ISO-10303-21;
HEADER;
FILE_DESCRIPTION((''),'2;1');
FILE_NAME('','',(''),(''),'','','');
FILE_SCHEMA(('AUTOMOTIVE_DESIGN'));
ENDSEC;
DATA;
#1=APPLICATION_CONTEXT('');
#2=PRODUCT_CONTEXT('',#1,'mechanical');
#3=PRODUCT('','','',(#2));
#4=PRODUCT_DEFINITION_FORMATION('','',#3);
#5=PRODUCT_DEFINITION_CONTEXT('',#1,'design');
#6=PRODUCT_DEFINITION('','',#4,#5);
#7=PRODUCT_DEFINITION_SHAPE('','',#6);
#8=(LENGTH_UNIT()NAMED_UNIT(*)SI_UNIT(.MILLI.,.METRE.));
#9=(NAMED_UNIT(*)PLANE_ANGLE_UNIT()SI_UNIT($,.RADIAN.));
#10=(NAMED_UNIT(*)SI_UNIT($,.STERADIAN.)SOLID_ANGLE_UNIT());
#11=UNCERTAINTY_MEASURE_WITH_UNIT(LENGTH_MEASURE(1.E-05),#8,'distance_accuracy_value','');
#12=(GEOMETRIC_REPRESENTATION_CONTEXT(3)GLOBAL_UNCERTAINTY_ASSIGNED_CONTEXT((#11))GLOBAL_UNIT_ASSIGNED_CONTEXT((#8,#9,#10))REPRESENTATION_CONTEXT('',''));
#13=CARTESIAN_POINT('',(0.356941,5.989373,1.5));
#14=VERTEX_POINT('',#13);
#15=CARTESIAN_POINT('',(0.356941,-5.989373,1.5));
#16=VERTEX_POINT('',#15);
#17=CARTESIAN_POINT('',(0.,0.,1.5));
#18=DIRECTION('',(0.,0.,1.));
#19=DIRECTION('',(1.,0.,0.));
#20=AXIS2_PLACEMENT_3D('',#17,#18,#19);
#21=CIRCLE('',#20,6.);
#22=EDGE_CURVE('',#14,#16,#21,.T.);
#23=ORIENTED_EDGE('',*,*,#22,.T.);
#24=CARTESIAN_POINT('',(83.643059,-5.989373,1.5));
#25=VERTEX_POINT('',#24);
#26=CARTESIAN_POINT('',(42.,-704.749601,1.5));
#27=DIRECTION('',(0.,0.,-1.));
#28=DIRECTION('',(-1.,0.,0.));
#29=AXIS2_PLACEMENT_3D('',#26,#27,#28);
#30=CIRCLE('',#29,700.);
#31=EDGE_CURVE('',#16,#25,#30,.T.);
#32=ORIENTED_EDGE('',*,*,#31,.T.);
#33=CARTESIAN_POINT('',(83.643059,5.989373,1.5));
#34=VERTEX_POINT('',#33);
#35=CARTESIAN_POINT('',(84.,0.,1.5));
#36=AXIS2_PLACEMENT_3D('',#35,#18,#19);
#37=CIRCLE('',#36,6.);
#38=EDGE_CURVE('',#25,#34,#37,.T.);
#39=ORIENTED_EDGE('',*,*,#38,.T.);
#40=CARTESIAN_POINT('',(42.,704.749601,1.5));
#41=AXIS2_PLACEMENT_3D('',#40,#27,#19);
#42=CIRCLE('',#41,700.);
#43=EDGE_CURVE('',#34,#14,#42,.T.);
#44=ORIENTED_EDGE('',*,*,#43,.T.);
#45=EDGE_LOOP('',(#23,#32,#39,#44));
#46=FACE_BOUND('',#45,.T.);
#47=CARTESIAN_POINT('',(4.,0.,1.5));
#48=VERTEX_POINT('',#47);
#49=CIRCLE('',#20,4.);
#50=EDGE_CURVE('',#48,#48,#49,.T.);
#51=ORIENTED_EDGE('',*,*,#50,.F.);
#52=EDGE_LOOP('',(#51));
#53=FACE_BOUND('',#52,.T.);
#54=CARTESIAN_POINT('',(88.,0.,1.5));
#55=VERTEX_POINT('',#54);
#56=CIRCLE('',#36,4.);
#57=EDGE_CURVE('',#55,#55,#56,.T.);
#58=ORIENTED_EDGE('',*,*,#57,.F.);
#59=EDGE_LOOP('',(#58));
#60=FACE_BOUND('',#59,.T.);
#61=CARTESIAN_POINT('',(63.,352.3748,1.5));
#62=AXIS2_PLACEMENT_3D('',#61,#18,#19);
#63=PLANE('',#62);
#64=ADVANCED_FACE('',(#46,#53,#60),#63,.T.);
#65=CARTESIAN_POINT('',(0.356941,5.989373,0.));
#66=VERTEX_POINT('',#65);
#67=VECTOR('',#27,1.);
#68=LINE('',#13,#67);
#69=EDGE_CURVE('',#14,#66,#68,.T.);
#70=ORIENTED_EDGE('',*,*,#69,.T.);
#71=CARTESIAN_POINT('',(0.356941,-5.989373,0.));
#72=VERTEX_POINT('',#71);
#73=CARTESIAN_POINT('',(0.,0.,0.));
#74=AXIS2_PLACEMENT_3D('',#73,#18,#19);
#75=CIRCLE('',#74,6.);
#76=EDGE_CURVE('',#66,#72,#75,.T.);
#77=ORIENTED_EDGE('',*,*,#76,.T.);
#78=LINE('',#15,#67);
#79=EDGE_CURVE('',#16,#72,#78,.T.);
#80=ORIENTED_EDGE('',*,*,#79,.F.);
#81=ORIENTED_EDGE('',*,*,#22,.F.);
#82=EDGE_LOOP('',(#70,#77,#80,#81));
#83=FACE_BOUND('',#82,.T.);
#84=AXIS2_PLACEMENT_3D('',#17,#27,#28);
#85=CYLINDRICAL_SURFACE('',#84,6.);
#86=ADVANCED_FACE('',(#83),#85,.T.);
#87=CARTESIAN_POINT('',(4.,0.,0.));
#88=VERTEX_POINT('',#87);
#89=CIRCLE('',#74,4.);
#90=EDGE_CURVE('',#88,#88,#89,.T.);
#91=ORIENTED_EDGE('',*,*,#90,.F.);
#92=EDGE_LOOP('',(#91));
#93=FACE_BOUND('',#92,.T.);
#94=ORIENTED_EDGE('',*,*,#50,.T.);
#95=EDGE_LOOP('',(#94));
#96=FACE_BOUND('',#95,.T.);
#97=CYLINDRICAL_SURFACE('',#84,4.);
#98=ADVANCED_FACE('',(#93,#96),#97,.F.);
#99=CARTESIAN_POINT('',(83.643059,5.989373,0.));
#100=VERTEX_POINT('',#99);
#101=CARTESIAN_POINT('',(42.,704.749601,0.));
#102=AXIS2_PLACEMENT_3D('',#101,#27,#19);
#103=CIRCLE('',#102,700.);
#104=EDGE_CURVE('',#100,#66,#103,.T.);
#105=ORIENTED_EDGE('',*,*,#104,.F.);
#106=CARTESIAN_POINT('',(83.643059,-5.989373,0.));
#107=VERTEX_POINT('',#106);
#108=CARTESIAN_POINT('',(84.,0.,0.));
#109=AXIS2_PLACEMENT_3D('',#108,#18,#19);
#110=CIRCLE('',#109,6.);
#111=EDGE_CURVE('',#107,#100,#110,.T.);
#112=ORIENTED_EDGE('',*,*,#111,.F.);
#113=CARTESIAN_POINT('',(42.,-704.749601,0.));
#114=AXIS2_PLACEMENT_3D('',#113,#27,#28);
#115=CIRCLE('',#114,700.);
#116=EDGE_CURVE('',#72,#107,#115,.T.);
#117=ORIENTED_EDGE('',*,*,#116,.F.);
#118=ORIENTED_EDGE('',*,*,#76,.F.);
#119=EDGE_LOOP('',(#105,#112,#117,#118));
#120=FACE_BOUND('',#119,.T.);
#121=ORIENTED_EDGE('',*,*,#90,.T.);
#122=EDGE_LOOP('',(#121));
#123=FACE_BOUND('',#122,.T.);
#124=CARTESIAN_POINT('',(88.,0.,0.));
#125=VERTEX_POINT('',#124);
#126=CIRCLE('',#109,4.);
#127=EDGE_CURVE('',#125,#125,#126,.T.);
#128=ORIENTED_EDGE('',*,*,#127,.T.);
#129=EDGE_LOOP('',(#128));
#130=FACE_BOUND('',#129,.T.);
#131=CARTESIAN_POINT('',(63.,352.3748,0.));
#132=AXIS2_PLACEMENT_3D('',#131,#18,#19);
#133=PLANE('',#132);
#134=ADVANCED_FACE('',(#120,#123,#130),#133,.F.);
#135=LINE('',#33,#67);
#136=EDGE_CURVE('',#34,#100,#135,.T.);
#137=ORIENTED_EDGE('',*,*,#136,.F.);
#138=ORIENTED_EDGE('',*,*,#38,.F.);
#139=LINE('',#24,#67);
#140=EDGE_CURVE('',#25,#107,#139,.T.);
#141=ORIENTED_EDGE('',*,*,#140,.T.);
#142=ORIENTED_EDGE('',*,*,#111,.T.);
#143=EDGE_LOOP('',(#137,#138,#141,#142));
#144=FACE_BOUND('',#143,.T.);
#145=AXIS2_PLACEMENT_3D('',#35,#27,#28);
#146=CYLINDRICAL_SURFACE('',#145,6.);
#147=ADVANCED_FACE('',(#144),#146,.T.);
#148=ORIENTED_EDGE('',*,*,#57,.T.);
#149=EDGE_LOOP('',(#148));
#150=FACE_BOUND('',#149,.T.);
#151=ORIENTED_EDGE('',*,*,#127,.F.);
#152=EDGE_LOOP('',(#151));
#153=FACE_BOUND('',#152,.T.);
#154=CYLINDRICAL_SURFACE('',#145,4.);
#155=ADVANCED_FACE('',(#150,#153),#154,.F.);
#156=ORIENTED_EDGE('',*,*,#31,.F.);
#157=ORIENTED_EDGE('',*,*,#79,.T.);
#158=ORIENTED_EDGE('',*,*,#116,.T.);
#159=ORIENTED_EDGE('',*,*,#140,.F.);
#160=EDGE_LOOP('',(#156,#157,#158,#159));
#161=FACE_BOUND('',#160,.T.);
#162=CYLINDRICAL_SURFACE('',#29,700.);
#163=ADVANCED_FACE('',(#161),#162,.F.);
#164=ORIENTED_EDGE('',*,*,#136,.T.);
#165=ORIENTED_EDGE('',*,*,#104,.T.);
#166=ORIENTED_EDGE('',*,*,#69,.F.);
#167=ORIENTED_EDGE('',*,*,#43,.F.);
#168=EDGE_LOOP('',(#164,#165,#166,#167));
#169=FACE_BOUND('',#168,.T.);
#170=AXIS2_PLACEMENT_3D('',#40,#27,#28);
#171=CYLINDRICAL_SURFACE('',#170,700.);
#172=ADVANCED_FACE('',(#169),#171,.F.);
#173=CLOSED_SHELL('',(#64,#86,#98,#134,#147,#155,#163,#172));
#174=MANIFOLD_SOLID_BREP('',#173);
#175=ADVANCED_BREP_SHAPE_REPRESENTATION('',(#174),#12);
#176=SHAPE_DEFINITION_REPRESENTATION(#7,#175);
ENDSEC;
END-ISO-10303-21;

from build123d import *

# Parameters (mm, degrees)
SKETCH1_R           = 4
BOSS_EXTRUDE1_DEPTH = 1.5


with BuildPart() as part:
    # Sketch1 → Boss-Extrude1 (new body)
    with BuildSketch(Plane.XY):
        with BuildLine():
            ThreePointArc((0.35694051, 5.989373379), (-6, 0), (0.35694051, -5.989373379))
            ThreePointArc((0.35694051, -5.989373379), (42, -4.749600922), (83.64305949, -5.989373379))
            ThreePointArc((83.64305949, -5.989373379), (90, 0), (83.64305949, 5.989373379))
            ThreePointArc((83.64305949, 5.989373379), (42, 4.749600922), (0.35694051, 5.989373379))
        make_face()
        Circle(SKETCH1_R, mode=Mode.SUBTRACT)
        with Locations((84, 0)):
            Circle(SKETCH1_R, mode=Mode.SUBTRACT)
    extrude(amount=BOSS_EXTRUDE1_DEPTH)


solid = part.part
